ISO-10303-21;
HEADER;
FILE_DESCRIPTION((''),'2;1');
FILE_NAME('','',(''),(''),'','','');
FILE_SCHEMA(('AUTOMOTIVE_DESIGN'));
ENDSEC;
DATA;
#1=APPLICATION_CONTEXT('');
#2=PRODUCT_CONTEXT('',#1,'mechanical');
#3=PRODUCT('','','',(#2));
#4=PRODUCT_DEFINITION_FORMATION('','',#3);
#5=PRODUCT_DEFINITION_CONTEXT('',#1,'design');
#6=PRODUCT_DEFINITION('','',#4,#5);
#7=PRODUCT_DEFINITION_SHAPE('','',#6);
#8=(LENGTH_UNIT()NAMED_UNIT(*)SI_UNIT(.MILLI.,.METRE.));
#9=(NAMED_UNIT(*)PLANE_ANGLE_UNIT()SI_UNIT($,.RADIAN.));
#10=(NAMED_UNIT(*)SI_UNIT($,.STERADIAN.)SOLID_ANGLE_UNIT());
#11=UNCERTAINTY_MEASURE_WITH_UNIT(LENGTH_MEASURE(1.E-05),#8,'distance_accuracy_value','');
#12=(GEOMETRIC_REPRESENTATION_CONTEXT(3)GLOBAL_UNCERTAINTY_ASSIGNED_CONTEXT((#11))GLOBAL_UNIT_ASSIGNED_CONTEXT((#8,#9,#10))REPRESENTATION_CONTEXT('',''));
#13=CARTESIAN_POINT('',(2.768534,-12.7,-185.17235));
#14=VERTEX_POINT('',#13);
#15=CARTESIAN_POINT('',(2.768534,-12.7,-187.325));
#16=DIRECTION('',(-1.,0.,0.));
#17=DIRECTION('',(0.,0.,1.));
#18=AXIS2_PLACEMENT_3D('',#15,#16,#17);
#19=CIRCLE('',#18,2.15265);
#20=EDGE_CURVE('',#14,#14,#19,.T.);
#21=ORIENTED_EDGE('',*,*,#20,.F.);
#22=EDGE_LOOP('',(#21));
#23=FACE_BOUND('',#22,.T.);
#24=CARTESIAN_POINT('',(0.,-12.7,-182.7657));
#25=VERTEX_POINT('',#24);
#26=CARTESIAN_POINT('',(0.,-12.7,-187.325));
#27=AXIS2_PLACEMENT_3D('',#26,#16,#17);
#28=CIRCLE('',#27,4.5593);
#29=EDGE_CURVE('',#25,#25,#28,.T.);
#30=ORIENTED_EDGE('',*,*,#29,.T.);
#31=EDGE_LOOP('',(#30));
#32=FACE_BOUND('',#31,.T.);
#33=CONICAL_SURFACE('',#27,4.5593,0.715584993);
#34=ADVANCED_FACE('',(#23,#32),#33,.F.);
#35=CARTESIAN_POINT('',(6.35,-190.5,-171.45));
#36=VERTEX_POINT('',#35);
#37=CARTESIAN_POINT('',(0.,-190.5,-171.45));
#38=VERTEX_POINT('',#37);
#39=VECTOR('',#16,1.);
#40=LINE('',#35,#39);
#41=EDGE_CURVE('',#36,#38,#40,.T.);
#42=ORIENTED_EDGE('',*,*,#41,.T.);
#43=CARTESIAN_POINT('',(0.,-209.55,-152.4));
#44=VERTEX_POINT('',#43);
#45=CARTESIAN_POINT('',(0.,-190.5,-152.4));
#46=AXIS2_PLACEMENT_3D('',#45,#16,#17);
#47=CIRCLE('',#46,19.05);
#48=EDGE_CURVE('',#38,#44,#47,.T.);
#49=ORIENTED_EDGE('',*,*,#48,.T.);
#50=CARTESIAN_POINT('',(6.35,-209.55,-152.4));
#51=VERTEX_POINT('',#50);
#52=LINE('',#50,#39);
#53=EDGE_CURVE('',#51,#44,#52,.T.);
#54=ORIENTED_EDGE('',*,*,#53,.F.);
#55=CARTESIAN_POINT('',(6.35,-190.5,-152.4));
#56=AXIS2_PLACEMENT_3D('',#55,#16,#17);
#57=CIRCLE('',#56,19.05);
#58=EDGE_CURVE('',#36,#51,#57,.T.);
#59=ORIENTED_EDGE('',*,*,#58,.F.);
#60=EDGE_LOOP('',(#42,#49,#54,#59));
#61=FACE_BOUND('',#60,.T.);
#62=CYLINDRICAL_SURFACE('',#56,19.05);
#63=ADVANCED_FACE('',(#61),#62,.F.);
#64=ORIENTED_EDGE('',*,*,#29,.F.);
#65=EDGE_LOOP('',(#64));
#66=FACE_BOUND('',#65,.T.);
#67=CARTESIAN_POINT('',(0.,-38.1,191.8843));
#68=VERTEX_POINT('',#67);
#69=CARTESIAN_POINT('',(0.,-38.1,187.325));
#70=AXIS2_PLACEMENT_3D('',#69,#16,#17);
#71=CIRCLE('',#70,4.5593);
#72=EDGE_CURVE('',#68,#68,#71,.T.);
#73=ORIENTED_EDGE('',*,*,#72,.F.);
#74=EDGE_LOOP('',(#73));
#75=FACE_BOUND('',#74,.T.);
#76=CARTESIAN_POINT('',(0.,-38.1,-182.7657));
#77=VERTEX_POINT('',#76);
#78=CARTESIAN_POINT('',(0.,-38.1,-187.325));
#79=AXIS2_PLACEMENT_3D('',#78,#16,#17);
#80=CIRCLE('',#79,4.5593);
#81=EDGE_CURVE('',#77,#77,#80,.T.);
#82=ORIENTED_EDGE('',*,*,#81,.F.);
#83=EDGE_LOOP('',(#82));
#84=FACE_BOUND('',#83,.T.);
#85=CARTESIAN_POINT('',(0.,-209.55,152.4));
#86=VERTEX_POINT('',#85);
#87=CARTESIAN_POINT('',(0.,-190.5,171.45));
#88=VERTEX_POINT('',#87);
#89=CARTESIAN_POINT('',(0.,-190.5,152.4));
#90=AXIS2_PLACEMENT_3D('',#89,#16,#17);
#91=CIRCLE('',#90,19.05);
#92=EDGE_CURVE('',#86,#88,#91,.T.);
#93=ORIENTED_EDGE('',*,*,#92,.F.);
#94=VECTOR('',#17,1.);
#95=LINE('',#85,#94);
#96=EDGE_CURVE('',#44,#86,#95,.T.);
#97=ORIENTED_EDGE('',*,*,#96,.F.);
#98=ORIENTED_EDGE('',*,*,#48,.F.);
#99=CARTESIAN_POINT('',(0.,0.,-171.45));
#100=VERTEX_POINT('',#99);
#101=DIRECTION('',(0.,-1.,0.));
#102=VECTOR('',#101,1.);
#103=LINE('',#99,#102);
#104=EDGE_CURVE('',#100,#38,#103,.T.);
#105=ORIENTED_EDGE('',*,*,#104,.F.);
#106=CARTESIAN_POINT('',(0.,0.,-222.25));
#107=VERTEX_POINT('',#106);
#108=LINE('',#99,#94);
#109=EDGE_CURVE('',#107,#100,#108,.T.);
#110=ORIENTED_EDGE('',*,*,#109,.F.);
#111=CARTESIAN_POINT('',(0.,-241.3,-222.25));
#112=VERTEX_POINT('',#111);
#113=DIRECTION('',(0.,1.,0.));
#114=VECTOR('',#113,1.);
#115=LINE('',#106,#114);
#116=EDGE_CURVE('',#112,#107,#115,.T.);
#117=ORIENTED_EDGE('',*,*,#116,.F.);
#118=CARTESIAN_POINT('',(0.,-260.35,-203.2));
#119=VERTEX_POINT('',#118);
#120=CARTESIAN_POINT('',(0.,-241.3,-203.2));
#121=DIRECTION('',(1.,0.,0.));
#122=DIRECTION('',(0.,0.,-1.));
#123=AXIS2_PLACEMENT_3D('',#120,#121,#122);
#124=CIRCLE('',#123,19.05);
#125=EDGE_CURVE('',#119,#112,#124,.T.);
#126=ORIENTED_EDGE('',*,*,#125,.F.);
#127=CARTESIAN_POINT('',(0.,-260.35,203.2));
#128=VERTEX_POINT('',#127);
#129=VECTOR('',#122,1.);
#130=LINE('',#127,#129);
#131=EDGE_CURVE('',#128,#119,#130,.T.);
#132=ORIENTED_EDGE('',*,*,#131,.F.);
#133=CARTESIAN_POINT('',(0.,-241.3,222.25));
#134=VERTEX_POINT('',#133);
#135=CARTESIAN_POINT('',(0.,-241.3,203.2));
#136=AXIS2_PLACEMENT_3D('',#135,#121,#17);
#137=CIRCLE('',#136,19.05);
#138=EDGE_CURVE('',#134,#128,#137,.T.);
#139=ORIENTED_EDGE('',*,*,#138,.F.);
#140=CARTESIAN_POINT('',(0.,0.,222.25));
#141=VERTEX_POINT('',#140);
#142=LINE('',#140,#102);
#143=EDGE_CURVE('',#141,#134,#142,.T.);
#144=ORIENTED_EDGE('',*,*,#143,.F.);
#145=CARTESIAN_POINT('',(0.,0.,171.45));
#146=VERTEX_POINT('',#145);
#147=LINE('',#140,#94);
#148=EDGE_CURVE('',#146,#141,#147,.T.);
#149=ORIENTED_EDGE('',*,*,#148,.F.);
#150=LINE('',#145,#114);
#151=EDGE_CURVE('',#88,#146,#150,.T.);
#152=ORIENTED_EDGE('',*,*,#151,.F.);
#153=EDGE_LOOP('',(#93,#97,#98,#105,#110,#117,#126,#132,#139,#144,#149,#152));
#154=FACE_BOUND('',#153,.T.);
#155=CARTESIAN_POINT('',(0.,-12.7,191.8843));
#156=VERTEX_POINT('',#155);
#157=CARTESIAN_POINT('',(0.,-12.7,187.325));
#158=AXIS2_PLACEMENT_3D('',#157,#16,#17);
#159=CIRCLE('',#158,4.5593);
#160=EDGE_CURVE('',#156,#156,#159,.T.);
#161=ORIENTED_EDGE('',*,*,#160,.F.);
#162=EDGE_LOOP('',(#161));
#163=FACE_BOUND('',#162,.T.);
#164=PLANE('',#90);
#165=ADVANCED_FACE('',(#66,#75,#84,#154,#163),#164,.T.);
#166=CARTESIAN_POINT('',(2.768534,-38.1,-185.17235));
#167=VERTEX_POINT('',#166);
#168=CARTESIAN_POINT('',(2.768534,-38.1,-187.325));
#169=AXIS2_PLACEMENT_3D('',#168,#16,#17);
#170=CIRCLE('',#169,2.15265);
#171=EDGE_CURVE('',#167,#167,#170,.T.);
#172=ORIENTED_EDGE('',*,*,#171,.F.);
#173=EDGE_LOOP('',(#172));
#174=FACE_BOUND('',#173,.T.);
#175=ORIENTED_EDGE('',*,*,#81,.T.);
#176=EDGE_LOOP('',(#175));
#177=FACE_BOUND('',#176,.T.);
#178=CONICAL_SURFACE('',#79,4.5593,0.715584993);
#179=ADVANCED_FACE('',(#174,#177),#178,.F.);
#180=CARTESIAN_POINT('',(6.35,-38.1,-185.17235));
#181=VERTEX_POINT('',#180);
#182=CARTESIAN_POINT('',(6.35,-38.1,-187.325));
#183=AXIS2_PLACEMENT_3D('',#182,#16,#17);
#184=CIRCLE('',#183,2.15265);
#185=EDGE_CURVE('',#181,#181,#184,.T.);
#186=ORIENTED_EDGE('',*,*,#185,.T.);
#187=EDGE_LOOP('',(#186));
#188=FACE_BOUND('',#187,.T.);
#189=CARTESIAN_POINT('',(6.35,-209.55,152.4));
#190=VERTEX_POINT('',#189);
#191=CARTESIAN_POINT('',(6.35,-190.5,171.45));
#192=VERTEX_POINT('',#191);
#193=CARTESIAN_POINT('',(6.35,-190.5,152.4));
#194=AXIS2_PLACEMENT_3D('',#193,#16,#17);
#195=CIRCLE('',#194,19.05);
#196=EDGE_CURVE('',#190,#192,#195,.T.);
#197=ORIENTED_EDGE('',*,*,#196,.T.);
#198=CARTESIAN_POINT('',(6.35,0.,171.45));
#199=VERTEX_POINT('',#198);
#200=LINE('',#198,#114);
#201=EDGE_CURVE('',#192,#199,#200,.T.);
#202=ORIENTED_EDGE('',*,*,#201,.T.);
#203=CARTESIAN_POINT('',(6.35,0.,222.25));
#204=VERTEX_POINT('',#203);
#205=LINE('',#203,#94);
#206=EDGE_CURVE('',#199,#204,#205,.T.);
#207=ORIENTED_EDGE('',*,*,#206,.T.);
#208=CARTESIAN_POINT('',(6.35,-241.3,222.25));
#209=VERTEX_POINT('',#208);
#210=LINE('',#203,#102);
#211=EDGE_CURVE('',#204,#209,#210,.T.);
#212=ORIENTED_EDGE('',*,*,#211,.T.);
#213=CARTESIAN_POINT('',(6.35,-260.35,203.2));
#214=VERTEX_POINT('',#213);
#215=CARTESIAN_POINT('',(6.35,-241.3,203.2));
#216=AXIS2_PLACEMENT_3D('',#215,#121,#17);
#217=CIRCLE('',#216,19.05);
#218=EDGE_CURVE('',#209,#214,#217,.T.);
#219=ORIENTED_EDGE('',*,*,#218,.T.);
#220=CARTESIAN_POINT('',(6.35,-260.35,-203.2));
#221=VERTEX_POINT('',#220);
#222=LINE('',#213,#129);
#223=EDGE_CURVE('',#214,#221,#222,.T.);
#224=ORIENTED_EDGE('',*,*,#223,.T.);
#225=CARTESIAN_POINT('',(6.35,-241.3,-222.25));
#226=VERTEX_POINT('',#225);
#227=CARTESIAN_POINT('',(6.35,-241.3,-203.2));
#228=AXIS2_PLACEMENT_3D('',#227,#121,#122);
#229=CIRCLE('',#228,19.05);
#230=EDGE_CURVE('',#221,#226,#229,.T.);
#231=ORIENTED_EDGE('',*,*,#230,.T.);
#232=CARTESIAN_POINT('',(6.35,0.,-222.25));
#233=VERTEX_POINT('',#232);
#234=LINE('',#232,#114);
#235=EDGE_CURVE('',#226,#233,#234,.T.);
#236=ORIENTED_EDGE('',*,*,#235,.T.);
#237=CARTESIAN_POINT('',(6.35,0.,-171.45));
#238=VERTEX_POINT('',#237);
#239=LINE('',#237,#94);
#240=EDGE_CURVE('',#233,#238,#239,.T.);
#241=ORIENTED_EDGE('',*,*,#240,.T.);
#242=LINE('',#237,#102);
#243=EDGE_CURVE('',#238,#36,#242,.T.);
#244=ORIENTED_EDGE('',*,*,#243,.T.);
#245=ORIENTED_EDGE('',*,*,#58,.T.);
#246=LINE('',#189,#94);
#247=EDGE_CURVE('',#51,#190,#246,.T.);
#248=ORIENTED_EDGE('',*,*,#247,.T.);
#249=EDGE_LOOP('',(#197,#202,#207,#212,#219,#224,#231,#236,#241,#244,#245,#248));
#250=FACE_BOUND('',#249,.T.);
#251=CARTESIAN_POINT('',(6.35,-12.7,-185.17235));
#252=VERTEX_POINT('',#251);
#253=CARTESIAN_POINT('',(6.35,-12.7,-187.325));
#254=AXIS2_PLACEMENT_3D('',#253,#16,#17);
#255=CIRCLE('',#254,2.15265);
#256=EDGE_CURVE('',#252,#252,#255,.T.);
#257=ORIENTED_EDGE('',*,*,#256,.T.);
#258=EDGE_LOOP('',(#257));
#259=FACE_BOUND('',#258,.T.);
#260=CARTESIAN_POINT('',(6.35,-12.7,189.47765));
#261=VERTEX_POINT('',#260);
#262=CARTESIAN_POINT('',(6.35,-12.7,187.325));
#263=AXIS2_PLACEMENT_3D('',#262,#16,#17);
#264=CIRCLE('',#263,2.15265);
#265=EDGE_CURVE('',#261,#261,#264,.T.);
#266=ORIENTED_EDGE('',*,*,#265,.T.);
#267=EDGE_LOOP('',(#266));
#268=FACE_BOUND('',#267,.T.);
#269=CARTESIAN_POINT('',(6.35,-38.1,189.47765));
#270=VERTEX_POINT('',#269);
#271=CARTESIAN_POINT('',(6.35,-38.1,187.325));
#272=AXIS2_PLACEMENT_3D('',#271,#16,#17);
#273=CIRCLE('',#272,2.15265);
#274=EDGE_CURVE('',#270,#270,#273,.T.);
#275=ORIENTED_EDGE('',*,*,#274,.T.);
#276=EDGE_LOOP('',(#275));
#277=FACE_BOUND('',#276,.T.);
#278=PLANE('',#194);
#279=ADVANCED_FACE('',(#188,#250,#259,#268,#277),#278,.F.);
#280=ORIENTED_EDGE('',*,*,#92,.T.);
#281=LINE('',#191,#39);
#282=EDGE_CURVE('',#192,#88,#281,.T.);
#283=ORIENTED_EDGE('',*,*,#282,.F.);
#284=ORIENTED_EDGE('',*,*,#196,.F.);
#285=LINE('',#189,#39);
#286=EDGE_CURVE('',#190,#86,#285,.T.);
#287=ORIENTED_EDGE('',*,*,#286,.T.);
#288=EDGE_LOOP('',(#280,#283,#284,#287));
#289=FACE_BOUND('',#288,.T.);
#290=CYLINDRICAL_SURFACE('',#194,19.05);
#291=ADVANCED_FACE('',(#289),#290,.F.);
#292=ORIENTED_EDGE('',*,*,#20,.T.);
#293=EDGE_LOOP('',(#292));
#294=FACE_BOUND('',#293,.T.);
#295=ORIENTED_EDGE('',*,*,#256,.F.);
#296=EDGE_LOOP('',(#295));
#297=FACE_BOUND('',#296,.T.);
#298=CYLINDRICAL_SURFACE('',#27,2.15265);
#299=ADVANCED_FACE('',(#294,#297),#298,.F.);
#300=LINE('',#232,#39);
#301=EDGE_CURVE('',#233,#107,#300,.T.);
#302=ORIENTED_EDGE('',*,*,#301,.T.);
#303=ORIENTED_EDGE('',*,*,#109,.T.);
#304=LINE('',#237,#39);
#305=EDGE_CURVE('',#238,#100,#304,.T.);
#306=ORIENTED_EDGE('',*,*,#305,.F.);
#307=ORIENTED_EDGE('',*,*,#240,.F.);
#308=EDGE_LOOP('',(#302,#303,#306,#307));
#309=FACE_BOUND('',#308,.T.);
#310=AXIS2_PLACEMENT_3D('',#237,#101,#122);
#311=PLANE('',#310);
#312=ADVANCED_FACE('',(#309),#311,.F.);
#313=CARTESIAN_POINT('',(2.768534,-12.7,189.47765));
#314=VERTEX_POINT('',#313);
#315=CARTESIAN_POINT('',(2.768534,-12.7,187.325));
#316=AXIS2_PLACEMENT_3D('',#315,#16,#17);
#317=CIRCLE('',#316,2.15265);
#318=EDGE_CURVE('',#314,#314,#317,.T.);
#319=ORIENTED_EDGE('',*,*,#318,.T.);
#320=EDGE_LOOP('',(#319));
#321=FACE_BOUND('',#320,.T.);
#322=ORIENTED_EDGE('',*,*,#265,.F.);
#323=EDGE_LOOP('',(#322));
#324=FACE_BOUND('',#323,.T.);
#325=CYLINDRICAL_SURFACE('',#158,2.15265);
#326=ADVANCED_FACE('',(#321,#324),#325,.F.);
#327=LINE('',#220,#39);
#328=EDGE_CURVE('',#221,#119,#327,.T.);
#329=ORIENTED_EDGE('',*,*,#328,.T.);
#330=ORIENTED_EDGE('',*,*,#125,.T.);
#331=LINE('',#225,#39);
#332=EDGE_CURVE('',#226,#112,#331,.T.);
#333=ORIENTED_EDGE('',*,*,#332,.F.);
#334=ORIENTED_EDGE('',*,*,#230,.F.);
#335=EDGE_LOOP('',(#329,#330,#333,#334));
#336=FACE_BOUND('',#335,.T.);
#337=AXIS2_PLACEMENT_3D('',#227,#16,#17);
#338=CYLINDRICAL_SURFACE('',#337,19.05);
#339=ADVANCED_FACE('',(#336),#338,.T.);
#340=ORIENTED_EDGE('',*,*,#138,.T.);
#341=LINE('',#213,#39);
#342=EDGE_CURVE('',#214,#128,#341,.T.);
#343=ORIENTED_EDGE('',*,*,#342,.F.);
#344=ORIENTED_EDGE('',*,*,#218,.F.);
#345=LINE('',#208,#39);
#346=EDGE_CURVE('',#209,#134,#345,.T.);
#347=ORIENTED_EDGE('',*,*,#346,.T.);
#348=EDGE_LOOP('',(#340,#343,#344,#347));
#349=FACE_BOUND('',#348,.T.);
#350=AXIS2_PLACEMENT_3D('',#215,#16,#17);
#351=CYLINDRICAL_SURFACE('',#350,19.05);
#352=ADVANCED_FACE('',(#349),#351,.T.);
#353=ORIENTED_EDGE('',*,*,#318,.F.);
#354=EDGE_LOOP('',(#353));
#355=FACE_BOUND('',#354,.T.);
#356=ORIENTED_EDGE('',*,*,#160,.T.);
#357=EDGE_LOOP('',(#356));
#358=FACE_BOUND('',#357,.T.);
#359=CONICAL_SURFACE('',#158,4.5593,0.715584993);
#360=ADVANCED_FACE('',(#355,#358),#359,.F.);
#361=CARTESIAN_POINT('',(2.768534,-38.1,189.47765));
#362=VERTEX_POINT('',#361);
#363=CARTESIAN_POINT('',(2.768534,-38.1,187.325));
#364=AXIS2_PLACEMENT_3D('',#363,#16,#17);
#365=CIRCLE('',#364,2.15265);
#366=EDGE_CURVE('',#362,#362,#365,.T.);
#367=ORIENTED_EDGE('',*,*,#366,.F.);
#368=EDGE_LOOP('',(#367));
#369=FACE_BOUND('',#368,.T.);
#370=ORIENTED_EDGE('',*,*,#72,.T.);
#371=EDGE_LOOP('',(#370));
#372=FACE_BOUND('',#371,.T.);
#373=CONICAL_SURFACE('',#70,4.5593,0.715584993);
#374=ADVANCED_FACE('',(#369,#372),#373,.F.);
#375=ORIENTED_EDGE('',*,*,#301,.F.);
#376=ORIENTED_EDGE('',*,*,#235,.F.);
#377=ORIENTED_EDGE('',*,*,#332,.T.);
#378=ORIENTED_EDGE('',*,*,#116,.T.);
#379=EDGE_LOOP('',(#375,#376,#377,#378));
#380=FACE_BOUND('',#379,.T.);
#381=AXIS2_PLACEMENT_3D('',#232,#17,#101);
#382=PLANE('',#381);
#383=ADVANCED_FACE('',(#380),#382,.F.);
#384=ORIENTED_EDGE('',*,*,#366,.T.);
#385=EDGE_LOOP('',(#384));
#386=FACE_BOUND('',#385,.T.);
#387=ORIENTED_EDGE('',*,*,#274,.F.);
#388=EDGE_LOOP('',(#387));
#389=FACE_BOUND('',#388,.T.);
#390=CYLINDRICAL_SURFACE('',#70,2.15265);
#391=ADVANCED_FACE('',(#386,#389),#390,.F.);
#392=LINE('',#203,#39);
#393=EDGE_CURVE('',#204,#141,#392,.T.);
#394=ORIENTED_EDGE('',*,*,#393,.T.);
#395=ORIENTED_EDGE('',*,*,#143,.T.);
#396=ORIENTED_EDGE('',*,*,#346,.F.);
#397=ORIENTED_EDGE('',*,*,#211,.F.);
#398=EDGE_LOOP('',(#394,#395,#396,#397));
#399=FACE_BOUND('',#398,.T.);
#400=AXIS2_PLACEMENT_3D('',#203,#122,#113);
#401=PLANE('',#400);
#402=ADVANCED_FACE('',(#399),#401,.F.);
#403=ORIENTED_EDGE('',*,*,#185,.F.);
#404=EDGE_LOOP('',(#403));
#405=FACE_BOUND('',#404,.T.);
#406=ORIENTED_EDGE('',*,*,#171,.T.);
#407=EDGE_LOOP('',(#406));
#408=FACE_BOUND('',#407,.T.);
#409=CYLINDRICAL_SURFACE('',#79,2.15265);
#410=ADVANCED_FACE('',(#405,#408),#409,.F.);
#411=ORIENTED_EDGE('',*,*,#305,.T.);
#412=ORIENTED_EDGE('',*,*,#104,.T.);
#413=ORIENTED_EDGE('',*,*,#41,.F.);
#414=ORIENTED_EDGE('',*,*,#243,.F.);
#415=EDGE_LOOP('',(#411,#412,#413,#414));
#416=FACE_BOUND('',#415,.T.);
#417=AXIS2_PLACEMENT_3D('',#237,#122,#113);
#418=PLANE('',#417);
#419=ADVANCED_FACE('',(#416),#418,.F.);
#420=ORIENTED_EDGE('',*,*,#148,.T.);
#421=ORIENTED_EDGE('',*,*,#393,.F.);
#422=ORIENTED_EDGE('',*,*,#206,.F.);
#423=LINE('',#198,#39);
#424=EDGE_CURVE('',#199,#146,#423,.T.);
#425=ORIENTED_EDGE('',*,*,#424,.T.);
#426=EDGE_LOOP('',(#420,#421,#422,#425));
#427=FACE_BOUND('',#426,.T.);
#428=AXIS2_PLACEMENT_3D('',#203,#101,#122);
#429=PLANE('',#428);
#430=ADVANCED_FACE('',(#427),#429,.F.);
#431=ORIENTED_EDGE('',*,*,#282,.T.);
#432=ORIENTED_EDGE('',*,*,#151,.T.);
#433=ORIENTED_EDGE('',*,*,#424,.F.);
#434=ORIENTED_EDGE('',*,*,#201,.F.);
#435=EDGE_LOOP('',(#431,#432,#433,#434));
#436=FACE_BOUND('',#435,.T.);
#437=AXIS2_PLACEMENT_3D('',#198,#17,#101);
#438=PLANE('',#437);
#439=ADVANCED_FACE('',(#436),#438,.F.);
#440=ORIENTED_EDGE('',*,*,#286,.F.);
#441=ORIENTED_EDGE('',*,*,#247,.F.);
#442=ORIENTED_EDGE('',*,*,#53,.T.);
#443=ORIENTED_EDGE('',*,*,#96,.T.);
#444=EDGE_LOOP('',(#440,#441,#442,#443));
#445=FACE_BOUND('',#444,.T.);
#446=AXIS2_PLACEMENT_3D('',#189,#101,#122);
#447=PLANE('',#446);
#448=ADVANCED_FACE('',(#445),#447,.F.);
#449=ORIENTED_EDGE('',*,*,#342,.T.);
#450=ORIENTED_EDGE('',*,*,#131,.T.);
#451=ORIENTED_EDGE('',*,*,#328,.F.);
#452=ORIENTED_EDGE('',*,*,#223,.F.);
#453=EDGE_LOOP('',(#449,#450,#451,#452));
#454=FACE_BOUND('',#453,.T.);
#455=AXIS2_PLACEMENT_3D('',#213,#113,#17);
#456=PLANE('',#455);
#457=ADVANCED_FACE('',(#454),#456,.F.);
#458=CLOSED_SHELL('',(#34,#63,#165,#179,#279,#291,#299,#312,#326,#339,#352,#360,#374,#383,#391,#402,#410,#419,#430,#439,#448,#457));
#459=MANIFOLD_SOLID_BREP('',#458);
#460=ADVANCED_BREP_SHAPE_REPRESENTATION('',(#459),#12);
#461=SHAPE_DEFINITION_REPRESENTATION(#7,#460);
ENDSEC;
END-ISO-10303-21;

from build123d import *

# Parameters (mm, degrees)
BOSS_EXTRUDE2_DEPTH                               = 6.35
CSK_FOR_8_FLAT_HEAD_SOCKET_CAP_SCREW1_D           = 4.3053
CSK_FOR_8_FLAT_HEAD_SOCKET_CAP_SCREW1_CSINK_D     = 9.1186
CSK_FOR_8_FLAT_HEAD_SOCKET_CAP_SCREW1_CSINK_ANGLE = 82


with BuildPart() as part:
    # Sketch1 → Boss-Extrude2 (new body)
    with BuildSketch(Plane(origin=(0, 0, 0), x_dir=(0, 0, -1), z_dir=(1, 0, 0))):
        with BuildLine():
            Line((-222.25, 0), (-171.45, 0))
            Line((-171.45, 0), (-171.45, -190.5))
            ThreePointArc((-171.45, -190.5), (-165.870384182, -203.970384182), (-152.4, -209.55))
            Line((-152.4, -209.55), (152.4, -209.55))
            ThreePointArc((152.4, -209.55), (165.870384182, -203.970384182), (171.45, -190.5))
            Line((171.45, -190.5), (171.45, 0))
            Line((171.45, 0), (222.25, 0))
            Line((222.25, 0), (222.25, -241.3))
            ThreePointArc((222.25, -241.3), (216.670384182, -254.770384182), (203.2, -260.35))
            Line((203.2, -260.35), (-203.2, -260.35))
            ThreePointArc((-203.2, -260.35), (-216.670384182, -254.770384182), (-222.25, -241.3))
            Line((-222.25, -241.3), (-222.25, 0))
        make_face()
    extrude(amount=BOSS_EXTRUDE2_DEPTH)

    # CSK for #8 Flat Head Socket Cap Screw1 (through all)
    with Locations(Plane.ZY):
        with Locations((-187.325, -12.7), (-187.325, -38.1)):
            csk_for_8_flat_head_socket_cap_screw1 = CounterSinkHole(CSK_FOR_8_FLAT_HEAD_SOCKET_CAP_SCREW1_D / 2, CSK_FOR_8_FLAT_HEAD_SOCKET_CAP_SCREW1_CSINK_D / 2, counter_sink_angle=CSK_FOR_8_FLAT_HEAD_SOCKET_CAP_SCREW1_CSINK_ANGLE)

    # Mirror1: CSK for #8 Flat Head Socket Cap Screw1 across plane
    add(csk_for_8_flat_head_socket_cap_screw1.mirror(Plane.XY), mode=Mode.SUBTRACT)


solid = part.part
